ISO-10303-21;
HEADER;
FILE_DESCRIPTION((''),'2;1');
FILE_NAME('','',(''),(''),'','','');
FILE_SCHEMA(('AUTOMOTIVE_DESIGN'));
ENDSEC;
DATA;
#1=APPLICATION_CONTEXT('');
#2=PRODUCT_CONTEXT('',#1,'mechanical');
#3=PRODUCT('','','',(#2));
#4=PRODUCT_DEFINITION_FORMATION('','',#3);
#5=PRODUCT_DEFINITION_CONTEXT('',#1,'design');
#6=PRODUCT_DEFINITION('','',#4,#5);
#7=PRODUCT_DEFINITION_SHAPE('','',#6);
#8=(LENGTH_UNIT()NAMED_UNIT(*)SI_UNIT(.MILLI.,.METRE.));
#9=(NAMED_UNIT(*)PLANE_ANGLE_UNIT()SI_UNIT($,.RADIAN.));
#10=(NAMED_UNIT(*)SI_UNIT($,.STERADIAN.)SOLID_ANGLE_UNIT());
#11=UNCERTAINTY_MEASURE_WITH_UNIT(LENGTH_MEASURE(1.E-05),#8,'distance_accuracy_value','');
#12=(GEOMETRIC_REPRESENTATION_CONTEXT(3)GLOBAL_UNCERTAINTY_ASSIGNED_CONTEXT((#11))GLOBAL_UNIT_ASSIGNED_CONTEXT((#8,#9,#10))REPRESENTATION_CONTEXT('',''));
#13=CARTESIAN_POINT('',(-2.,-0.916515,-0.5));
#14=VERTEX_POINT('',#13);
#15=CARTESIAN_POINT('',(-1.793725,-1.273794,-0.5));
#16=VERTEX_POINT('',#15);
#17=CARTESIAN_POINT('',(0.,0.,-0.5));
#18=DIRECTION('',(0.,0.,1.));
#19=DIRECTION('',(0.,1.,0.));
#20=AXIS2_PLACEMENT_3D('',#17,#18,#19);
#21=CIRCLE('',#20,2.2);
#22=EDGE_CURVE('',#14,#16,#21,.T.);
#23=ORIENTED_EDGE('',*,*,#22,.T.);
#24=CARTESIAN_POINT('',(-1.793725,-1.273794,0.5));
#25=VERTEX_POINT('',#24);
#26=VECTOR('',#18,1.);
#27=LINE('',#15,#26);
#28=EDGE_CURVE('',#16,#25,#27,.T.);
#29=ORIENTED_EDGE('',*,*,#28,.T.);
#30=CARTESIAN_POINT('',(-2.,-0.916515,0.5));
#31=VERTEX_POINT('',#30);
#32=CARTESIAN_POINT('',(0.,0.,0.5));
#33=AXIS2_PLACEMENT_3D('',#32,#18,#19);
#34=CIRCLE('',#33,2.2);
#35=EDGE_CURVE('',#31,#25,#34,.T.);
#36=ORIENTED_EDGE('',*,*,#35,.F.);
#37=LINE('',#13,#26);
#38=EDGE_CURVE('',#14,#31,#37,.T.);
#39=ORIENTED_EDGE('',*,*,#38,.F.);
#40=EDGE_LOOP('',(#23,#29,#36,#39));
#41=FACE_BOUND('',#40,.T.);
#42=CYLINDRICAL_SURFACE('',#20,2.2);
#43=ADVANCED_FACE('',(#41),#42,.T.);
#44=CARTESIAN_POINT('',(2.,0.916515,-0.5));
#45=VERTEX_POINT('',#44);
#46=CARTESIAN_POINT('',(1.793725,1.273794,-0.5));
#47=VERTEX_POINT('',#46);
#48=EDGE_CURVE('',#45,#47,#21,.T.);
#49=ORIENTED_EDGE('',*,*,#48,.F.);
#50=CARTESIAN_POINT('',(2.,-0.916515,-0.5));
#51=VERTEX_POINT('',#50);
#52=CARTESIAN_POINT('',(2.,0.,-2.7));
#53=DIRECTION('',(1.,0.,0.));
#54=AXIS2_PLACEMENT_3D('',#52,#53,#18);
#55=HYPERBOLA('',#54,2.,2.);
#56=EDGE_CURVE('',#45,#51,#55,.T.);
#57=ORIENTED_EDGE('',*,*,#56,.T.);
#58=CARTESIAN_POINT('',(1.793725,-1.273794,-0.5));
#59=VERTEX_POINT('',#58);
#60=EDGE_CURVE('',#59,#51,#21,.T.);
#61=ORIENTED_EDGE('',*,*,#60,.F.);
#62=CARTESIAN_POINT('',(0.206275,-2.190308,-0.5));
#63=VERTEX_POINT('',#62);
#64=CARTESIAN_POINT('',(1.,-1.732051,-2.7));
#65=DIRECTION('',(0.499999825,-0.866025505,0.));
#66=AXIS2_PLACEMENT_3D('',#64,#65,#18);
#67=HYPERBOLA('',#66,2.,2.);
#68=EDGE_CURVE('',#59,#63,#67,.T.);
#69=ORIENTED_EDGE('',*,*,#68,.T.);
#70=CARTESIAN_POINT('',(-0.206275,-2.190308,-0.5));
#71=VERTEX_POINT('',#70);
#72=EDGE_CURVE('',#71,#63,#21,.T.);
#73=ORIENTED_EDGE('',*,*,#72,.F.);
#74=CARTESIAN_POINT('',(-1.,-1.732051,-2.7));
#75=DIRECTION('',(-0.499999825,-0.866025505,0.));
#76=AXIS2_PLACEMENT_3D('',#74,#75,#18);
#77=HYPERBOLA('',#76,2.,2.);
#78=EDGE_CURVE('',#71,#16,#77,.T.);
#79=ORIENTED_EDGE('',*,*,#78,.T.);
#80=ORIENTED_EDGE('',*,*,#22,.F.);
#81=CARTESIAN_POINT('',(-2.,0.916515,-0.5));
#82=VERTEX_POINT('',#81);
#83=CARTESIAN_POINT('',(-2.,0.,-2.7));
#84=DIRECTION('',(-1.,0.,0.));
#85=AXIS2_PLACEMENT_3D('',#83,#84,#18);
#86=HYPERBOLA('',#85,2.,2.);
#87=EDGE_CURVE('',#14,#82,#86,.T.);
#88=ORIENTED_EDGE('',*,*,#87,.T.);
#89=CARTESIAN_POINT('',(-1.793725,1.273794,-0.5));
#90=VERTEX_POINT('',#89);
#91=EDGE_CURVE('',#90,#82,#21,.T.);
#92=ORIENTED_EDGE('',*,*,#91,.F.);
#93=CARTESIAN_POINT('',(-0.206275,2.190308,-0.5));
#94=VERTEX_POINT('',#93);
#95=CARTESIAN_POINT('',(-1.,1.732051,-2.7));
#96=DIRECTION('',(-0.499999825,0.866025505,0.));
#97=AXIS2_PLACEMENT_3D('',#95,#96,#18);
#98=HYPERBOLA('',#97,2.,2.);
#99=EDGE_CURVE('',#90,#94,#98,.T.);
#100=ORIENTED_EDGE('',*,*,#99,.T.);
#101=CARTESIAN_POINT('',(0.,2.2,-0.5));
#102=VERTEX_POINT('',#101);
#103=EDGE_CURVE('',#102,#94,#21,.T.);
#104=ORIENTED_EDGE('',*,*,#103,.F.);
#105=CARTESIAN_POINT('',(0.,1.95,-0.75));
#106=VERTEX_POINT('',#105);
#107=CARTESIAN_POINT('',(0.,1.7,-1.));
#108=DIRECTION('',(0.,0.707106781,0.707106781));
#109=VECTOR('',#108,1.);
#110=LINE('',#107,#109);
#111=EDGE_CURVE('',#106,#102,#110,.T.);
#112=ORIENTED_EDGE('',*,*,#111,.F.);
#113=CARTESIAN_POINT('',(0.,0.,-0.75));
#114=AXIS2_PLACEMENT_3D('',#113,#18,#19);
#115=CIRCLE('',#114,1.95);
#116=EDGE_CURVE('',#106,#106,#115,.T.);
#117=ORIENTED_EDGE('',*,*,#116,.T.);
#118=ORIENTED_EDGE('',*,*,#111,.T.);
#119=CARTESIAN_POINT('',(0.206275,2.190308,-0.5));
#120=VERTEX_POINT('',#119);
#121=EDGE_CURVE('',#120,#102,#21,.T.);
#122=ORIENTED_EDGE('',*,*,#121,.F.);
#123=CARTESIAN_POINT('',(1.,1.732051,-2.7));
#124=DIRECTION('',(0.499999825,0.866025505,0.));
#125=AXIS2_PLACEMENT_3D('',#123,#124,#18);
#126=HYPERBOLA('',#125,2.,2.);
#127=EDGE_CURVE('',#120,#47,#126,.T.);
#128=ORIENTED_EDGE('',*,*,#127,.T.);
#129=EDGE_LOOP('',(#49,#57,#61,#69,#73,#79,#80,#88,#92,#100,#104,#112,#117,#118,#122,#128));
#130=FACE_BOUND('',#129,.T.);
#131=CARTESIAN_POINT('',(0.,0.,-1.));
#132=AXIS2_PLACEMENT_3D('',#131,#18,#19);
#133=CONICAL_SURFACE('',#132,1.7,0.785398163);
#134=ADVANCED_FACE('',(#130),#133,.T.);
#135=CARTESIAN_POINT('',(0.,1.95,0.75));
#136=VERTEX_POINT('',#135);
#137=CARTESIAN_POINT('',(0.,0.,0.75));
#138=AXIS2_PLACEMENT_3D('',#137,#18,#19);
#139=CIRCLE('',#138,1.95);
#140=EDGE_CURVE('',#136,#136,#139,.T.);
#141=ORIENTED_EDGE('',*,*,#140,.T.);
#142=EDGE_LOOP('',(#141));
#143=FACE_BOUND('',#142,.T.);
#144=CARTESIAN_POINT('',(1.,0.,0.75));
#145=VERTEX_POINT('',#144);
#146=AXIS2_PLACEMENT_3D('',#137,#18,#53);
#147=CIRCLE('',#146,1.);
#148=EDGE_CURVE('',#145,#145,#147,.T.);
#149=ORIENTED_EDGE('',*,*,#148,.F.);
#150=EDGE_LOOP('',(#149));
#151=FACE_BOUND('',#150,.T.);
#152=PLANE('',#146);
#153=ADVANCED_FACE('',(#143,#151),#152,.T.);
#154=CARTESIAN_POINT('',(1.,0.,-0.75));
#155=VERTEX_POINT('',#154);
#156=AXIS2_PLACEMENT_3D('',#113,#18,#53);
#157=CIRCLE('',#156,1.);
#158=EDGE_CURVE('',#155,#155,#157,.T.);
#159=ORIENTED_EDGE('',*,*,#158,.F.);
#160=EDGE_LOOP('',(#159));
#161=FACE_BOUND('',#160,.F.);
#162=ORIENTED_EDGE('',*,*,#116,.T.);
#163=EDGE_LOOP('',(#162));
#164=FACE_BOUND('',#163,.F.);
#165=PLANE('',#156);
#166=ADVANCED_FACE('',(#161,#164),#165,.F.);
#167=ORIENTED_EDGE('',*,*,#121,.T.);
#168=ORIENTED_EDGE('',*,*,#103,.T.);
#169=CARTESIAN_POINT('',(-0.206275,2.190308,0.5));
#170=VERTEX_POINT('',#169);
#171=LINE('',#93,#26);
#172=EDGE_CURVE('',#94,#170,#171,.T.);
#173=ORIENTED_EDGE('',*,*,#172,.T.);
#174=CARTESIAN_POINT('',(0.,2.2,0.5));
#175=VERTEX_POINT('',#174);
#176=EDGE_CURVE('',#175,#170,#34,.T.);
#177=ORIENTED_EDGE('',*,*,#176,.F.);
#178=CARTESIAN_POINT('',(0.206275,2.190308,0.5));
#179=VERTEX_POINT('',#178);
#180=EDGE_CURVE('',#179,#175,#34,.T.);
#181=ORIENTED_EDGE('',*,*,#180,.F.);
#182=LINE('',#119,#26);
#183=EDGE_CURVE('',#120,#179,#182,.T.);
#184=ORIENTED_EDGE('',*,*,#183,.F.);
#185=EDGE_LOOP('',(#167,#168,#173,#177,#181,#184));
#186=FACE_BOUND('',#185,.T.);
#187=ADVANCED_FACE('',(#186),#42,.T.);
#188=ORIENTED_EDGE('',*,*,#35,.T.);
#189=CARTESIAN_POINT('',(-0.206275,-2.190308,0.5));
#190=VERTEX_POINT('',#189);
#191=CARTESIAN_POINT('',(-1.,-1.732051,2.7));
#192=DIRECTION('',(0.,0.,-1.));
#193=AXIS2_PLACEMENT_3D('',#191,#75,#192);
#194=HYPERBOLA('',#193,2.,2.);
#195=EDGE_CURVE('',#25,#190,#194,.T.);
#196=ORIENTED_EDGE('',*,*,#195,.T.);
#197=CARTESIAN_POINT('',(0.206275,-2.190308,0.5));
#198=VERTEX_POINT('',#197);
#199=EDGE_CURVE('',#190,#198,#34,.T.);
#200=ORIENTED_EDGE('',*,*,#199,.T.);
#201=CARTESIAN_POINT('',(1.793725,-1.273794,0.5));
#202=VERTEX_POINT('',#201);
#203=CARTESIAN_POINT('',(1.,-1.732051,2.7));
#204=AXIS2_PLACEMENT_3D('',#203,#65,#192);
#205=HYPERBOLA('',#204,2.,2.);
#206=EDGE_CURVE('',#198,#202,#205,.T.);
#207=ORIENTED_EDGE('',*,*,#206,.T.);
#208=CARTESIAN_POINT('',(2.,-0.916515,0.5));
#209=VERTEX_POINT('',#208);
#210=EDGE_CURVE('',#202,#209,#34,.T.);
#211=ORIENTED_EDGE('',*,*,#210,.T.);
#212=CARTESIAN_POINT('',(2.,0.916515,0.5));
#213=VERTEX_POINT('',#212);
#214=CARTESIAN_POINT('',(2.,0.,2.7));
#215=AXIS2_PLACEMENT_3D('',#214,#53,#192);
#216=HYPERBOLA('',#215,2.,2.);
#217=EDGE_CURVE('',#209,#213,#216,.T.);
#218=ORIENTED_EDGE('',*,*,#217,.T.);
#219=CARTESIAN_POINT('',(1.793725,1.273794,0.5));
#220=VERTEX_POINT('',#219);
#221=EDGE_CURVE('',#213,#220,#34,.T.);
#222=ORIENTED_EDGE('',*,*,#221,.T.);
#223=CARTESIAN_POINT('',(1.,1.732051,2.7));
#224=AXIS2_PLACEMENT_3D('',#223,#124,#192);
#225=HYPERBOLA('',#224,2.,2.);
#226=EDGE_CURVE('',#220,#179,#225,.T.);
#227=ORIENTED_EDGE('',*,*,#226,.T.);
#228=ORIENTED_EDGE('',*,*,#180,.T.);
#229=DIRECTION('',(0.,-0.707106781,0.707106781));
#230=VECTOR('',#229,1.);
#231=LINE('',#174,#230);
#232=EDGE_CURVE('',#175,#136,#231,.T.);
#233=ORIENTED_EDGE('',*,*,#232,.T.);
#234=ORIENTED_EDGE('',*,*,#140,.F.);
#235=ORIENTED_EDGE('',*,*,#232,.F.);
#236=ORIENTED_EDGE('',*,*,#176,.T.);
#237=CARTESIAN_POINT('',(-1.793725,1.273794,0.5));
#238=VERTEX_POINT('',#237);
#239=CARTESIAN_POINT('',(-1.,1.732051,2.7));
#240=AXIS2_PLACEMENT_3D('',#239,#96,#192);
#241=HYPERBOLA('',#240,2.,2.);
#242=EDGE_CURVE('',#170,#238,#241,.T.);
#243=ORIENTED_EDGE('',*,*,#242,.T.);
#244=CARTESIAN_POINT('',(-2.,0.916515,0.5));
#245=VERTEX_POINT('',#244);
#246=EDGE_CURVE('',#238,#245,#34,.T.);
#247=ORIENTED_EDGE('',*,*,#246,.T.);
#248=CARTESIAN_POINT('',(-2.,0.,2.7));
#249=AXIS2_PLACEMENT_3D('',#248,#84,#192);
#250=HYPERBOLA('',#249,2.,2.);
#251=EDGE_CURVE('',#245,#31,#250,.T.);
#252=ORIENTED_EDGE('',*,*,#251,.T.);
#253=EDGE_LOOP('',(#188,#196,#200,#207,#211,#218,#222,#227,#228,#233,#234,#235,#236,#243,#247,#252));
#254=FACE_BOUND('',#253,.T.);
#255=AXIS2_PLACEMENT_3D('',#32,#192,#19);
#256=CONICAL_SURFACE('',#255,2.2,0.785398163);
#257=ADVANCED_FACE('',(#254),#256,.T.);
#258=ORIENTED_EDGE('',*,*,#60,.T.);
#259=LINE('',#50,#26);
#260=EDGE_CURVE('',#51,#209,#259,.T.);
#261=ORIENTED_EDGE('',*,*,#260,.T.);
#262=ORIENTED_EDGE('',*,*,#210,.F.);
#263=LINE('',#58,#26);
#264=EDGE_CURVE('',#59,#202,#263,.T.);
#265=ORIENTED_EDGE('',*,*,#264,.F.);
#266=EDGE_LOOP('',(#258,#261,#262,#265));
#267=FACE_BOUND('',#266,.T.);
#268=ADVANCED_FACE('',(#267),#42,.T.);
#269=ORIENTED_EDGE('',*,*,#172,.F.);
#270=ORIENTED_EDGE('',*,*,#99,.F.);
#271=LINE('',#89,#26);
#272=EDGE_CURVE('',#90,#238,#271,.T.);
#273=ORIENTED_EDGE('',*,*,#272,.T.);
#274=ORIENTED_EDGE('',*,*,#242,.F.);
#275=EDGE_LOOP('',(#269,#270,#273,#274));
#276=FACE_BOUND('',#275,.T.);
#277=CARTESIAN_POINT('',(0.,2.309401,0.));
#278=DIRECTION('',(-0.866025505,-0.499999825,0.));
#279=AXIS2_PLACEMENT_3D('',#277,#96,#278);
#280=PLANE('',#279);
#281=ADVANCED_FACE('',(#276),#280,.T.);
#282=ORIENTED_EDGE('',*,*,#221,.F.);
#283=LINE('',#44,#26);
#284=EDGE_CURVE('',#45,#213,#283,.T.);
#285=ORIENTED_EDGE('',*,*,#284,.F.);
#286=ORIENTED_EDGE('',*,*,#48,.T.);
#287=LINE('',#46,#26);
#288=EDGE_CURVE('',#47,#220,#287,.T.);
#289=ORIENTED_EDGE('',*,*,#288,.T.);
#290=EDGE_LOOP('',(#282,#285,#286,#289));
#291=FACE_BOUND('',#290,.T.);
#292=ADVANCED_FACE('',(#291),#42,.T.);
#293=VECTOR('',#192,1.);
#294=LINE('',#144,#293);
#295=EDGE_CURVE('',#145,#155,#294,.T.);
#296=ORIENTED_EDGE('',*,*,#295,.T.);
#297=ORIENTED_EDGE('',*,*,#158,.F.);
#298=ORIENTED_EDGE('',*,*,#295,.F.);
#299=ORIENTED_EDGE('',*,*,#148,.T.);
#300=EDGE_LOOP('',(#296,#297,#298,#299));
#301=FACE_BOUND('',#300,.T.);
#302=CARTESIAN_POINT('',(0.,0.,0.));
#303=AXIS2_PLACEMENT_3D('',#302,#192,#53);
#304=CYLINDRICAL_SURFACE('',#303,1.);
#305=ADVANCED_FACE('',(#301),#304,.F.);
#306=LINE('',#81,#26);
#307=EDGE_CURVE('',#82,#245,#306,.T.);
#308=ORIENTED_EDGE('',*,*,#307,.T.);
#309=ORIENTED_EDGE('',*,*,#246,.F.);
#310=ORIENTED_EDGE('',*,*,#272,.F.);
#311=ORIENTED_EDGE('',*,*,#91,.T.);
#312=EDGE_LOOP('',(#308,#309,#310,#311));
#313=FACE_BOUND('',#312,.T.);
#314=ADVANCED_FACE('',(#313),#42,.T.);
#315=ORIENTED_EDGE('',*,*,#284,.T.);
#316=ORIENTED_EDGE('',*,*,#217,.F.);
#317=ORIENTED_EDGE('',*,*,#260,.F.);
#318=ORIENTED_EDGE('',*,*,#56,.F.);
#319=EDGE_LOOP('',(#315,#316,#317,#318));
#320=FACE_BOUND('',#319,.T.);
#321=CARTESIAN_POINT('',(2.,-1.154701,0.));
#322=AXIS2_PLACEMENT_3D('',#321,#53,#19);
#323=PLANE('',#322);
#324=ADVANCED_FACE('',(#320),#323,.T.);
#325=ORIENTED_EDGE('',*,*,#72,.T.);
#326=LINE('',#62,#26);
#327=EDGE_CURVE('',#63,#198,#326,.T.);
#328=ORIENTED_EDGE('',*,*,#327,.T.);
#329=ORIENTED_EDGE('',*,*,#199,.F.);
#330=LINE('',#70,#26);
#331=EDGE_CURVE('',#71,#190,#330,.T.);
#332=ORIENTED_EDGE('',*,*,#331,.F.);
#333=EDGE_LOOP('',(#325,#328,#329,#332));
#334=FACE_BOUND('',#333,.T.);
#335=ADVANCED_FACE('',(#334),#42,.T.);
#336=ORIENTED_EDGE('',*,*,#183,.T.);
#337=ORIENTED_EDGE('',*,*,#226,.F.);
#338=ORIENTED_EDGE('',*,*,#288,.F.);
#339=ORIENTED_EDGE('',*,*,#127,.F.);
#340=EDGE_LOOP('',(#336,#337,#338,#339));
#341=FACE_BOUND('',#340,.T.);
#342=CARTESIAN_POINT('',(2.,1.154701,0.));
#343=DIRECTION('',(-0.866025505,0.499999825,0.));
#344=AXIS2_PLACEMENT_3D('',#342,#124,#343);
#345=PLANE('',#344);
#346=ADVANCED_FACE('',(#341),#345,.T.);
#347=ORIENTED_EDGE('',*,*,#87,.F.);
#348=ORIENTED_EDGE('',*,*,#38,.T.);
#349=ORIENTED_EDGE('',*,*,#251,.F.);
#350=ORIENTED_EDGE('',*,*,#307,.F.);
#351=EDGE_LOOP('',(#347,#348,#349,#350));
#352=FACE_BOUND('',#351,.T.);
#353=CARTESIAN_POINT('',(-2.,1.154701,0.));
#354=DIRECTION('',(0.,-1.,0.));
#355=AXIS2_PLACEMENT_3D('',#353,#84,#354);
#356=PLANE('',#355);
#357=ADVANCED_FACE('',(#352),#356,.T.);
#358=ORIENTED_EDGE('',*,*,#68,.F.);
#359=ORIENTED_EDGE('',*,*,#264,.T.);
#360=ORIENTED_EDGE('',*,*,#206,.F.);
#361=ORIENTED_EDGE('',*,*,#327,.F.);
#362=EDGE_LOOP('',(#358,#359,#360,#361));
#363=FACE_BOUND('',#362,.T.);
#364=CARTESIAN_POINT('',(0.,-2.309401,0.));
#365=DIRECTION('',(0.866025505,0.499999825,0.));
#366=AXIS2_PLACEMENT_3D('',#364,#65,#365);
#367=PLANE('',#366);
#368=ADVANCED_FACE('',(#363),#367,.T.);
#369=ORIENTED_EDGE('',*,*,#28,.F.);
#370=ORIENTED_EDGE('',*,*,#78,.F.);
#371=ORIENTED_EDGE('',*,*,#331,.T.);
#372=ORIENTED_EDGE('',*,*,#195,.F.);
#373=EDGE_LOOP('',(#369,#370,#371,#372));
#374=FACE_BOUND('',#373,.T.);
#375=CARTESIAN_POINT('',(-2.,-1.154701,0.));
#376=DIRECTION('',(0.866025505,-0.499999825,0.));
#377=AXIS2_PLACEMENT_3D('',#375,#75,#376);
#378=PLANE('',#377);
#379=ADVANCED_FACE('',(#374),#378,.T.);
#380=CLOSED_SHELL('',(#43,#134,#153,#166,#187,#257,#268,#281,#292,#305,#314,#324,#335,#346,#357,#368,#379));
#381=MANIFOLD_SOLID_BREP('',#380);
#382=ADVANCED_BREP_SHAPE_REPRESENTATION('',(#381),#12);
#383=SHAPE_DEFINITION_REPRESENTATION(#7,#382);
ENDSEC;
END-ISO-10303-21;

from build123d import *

# Parameters (mm, degrees)
SKETCH_R  = 1
PAD_DEPTH = 0.75


with BuildPart() as body001:
    # Sketch001 → Revolution (revolve)
    with BuildSketch(Plane.YZ):
        Polygon((2.2, 0.5), (1.7, 1), (2.5, 1), (2.5, -1), (1.7, -1), (2.2, -0.5), align=None)
    revolve(axis=Axis((0, 0, 0), (0, 0, 1)))


with BuildPart() as cut:
    # Sketch → Pad (new body, symmetric)
    with BuildSketch(Plane.XY):
        Polygon((2, 1.154701), (0, 2.309401), (-2, 1.154701), (-2, -1.154701), (0, -2.309401), (2, -1.154701), align=None)
        Circle(SKETCH_R, mode=Mode.SUBTRACT)
    extrude(amount=PAD_DEPTH, both=True)

    # Cut: cut Body001
    add(body001.part, mode=Mode.SUBTRACT)


solid = cut.part
